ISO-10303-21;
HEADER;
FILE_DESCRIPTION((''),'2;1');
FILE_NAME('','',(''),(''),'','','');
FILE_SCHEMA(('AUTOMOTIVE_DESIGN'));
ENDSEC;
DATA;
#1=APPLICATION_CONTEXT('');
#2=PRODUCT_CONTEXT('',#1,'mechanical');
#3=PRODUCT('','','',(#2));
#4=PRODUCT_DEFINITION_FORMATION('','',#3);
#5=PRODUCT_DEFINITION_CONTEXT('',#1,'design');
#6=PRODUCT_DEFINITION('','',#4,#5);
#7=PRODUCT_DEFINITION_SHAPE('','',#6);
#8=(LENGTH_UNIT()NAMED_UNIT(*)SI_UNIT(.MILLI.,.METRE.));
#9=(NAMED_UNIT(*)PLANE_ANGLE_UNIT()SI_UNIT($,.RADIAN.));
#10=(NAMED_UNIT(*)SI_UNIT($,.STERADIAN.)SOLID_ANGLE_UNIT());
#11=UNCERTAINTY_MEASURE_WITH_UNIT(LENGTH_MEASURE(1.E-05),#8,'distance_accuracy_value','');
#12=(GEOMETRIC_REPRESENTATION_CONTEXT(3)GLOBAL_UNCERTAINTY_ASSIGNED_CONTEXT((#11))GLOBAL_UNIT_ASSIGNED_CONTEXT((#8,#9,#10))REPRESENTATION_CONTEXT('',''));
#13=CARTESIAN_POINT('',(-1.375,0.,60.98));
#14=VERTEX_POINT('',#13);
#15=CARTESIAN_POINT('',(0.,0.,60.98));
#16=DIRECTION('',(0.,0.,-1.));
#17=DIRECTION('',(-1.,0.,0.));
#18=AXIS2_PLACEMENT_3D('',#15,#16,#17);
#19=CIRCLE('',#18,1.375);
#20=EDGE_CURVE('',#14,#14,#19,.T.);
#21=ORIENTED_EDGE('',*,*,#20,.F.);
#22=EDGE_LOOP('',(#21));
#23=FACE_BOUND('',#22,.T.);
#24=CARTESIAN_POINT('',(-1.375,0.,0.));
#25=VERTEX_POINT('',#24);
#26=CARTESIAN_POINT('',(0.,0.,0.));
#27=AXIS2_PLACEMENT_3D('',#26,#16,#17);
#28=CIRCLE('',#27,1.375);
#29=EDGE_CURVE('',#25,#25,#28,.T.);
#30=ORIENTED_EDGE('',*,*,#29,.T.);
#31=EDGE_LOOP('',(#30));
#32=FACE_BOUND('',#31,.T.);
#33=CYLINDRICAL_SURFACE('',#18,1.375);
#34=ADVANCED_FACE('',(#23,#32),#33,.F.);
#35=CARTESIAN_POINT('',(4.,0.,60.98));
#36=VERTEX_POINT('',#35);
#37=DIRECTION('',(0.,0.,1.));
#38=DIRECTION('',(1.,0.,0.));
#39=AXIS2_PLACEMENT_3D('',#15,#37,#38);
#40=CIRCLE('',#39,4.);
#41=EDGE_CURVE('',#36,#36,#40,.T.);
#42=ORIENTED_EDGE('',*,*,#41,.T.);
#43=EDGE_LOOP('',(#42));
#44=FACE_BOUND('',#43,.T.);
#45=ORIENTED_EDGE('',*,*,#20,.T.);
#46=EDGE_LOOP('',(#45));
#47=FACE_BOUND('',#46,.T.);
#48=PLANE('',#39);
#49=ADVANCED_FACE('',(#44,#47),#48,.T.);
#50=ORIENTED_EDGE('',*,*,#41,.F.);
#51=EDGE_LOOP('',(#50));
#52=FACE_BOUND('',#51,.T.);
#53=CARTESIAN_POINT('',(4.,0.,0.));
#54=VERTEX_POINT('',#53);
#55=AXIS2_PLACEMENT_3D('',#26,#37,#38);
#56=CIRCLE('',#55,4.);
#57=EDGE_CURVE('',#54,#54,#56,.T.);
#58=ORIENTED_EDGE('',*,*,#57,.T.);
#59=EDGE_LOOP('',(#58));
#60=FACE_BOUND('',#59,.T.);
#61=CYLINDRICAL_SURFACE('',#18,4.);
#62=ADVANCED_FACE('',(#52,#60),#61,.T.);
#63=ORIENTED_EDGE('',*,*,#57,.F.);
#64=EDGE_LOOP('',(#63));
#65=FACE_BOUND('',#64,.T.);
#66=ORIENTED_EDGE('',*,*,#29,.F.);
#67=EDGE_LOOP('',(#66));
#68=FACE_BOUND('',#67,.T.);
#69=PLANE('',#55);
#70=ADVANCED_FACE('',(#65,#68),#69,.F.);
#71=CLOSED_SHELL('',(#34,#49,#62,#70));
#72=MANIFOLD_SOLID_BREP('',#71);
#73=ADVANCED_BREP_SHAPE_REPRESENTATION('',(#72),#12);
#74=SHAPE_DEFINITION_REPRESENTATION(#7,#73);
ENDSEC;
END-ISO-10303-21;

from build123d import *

# Parameters (mm, degrees)
SKETCH1_R           = 4
BOSS_EXTRUDE1_DEPTH = 60.98
SKETCH2_R           = 1.375
CUT_EXTRUDE1_DEPTH  = 61.98


with BuildPart() as part:
    # Sketch1 → Boss-Extrude1 (new body)
    with BuildSketch(Plane.XY):
        Circle(SKETCH1_R)
    extrude(amount=BOSS_EXTRUDE1_DEPTH)

    # Sketch2 → Cut-Extrude1 (cut, through all)
    with BuildSketch(Plane(origin=(0, 0, 0), x_dir=(-1, 0, 0), z_dir=(0, 0, -1))):
        Circle(SKETCH2_R)
    extrude(amount=-CUT_EXTRUDE1_DEPTH, mode=Mode.SUBTRACT)


solid = part.part
